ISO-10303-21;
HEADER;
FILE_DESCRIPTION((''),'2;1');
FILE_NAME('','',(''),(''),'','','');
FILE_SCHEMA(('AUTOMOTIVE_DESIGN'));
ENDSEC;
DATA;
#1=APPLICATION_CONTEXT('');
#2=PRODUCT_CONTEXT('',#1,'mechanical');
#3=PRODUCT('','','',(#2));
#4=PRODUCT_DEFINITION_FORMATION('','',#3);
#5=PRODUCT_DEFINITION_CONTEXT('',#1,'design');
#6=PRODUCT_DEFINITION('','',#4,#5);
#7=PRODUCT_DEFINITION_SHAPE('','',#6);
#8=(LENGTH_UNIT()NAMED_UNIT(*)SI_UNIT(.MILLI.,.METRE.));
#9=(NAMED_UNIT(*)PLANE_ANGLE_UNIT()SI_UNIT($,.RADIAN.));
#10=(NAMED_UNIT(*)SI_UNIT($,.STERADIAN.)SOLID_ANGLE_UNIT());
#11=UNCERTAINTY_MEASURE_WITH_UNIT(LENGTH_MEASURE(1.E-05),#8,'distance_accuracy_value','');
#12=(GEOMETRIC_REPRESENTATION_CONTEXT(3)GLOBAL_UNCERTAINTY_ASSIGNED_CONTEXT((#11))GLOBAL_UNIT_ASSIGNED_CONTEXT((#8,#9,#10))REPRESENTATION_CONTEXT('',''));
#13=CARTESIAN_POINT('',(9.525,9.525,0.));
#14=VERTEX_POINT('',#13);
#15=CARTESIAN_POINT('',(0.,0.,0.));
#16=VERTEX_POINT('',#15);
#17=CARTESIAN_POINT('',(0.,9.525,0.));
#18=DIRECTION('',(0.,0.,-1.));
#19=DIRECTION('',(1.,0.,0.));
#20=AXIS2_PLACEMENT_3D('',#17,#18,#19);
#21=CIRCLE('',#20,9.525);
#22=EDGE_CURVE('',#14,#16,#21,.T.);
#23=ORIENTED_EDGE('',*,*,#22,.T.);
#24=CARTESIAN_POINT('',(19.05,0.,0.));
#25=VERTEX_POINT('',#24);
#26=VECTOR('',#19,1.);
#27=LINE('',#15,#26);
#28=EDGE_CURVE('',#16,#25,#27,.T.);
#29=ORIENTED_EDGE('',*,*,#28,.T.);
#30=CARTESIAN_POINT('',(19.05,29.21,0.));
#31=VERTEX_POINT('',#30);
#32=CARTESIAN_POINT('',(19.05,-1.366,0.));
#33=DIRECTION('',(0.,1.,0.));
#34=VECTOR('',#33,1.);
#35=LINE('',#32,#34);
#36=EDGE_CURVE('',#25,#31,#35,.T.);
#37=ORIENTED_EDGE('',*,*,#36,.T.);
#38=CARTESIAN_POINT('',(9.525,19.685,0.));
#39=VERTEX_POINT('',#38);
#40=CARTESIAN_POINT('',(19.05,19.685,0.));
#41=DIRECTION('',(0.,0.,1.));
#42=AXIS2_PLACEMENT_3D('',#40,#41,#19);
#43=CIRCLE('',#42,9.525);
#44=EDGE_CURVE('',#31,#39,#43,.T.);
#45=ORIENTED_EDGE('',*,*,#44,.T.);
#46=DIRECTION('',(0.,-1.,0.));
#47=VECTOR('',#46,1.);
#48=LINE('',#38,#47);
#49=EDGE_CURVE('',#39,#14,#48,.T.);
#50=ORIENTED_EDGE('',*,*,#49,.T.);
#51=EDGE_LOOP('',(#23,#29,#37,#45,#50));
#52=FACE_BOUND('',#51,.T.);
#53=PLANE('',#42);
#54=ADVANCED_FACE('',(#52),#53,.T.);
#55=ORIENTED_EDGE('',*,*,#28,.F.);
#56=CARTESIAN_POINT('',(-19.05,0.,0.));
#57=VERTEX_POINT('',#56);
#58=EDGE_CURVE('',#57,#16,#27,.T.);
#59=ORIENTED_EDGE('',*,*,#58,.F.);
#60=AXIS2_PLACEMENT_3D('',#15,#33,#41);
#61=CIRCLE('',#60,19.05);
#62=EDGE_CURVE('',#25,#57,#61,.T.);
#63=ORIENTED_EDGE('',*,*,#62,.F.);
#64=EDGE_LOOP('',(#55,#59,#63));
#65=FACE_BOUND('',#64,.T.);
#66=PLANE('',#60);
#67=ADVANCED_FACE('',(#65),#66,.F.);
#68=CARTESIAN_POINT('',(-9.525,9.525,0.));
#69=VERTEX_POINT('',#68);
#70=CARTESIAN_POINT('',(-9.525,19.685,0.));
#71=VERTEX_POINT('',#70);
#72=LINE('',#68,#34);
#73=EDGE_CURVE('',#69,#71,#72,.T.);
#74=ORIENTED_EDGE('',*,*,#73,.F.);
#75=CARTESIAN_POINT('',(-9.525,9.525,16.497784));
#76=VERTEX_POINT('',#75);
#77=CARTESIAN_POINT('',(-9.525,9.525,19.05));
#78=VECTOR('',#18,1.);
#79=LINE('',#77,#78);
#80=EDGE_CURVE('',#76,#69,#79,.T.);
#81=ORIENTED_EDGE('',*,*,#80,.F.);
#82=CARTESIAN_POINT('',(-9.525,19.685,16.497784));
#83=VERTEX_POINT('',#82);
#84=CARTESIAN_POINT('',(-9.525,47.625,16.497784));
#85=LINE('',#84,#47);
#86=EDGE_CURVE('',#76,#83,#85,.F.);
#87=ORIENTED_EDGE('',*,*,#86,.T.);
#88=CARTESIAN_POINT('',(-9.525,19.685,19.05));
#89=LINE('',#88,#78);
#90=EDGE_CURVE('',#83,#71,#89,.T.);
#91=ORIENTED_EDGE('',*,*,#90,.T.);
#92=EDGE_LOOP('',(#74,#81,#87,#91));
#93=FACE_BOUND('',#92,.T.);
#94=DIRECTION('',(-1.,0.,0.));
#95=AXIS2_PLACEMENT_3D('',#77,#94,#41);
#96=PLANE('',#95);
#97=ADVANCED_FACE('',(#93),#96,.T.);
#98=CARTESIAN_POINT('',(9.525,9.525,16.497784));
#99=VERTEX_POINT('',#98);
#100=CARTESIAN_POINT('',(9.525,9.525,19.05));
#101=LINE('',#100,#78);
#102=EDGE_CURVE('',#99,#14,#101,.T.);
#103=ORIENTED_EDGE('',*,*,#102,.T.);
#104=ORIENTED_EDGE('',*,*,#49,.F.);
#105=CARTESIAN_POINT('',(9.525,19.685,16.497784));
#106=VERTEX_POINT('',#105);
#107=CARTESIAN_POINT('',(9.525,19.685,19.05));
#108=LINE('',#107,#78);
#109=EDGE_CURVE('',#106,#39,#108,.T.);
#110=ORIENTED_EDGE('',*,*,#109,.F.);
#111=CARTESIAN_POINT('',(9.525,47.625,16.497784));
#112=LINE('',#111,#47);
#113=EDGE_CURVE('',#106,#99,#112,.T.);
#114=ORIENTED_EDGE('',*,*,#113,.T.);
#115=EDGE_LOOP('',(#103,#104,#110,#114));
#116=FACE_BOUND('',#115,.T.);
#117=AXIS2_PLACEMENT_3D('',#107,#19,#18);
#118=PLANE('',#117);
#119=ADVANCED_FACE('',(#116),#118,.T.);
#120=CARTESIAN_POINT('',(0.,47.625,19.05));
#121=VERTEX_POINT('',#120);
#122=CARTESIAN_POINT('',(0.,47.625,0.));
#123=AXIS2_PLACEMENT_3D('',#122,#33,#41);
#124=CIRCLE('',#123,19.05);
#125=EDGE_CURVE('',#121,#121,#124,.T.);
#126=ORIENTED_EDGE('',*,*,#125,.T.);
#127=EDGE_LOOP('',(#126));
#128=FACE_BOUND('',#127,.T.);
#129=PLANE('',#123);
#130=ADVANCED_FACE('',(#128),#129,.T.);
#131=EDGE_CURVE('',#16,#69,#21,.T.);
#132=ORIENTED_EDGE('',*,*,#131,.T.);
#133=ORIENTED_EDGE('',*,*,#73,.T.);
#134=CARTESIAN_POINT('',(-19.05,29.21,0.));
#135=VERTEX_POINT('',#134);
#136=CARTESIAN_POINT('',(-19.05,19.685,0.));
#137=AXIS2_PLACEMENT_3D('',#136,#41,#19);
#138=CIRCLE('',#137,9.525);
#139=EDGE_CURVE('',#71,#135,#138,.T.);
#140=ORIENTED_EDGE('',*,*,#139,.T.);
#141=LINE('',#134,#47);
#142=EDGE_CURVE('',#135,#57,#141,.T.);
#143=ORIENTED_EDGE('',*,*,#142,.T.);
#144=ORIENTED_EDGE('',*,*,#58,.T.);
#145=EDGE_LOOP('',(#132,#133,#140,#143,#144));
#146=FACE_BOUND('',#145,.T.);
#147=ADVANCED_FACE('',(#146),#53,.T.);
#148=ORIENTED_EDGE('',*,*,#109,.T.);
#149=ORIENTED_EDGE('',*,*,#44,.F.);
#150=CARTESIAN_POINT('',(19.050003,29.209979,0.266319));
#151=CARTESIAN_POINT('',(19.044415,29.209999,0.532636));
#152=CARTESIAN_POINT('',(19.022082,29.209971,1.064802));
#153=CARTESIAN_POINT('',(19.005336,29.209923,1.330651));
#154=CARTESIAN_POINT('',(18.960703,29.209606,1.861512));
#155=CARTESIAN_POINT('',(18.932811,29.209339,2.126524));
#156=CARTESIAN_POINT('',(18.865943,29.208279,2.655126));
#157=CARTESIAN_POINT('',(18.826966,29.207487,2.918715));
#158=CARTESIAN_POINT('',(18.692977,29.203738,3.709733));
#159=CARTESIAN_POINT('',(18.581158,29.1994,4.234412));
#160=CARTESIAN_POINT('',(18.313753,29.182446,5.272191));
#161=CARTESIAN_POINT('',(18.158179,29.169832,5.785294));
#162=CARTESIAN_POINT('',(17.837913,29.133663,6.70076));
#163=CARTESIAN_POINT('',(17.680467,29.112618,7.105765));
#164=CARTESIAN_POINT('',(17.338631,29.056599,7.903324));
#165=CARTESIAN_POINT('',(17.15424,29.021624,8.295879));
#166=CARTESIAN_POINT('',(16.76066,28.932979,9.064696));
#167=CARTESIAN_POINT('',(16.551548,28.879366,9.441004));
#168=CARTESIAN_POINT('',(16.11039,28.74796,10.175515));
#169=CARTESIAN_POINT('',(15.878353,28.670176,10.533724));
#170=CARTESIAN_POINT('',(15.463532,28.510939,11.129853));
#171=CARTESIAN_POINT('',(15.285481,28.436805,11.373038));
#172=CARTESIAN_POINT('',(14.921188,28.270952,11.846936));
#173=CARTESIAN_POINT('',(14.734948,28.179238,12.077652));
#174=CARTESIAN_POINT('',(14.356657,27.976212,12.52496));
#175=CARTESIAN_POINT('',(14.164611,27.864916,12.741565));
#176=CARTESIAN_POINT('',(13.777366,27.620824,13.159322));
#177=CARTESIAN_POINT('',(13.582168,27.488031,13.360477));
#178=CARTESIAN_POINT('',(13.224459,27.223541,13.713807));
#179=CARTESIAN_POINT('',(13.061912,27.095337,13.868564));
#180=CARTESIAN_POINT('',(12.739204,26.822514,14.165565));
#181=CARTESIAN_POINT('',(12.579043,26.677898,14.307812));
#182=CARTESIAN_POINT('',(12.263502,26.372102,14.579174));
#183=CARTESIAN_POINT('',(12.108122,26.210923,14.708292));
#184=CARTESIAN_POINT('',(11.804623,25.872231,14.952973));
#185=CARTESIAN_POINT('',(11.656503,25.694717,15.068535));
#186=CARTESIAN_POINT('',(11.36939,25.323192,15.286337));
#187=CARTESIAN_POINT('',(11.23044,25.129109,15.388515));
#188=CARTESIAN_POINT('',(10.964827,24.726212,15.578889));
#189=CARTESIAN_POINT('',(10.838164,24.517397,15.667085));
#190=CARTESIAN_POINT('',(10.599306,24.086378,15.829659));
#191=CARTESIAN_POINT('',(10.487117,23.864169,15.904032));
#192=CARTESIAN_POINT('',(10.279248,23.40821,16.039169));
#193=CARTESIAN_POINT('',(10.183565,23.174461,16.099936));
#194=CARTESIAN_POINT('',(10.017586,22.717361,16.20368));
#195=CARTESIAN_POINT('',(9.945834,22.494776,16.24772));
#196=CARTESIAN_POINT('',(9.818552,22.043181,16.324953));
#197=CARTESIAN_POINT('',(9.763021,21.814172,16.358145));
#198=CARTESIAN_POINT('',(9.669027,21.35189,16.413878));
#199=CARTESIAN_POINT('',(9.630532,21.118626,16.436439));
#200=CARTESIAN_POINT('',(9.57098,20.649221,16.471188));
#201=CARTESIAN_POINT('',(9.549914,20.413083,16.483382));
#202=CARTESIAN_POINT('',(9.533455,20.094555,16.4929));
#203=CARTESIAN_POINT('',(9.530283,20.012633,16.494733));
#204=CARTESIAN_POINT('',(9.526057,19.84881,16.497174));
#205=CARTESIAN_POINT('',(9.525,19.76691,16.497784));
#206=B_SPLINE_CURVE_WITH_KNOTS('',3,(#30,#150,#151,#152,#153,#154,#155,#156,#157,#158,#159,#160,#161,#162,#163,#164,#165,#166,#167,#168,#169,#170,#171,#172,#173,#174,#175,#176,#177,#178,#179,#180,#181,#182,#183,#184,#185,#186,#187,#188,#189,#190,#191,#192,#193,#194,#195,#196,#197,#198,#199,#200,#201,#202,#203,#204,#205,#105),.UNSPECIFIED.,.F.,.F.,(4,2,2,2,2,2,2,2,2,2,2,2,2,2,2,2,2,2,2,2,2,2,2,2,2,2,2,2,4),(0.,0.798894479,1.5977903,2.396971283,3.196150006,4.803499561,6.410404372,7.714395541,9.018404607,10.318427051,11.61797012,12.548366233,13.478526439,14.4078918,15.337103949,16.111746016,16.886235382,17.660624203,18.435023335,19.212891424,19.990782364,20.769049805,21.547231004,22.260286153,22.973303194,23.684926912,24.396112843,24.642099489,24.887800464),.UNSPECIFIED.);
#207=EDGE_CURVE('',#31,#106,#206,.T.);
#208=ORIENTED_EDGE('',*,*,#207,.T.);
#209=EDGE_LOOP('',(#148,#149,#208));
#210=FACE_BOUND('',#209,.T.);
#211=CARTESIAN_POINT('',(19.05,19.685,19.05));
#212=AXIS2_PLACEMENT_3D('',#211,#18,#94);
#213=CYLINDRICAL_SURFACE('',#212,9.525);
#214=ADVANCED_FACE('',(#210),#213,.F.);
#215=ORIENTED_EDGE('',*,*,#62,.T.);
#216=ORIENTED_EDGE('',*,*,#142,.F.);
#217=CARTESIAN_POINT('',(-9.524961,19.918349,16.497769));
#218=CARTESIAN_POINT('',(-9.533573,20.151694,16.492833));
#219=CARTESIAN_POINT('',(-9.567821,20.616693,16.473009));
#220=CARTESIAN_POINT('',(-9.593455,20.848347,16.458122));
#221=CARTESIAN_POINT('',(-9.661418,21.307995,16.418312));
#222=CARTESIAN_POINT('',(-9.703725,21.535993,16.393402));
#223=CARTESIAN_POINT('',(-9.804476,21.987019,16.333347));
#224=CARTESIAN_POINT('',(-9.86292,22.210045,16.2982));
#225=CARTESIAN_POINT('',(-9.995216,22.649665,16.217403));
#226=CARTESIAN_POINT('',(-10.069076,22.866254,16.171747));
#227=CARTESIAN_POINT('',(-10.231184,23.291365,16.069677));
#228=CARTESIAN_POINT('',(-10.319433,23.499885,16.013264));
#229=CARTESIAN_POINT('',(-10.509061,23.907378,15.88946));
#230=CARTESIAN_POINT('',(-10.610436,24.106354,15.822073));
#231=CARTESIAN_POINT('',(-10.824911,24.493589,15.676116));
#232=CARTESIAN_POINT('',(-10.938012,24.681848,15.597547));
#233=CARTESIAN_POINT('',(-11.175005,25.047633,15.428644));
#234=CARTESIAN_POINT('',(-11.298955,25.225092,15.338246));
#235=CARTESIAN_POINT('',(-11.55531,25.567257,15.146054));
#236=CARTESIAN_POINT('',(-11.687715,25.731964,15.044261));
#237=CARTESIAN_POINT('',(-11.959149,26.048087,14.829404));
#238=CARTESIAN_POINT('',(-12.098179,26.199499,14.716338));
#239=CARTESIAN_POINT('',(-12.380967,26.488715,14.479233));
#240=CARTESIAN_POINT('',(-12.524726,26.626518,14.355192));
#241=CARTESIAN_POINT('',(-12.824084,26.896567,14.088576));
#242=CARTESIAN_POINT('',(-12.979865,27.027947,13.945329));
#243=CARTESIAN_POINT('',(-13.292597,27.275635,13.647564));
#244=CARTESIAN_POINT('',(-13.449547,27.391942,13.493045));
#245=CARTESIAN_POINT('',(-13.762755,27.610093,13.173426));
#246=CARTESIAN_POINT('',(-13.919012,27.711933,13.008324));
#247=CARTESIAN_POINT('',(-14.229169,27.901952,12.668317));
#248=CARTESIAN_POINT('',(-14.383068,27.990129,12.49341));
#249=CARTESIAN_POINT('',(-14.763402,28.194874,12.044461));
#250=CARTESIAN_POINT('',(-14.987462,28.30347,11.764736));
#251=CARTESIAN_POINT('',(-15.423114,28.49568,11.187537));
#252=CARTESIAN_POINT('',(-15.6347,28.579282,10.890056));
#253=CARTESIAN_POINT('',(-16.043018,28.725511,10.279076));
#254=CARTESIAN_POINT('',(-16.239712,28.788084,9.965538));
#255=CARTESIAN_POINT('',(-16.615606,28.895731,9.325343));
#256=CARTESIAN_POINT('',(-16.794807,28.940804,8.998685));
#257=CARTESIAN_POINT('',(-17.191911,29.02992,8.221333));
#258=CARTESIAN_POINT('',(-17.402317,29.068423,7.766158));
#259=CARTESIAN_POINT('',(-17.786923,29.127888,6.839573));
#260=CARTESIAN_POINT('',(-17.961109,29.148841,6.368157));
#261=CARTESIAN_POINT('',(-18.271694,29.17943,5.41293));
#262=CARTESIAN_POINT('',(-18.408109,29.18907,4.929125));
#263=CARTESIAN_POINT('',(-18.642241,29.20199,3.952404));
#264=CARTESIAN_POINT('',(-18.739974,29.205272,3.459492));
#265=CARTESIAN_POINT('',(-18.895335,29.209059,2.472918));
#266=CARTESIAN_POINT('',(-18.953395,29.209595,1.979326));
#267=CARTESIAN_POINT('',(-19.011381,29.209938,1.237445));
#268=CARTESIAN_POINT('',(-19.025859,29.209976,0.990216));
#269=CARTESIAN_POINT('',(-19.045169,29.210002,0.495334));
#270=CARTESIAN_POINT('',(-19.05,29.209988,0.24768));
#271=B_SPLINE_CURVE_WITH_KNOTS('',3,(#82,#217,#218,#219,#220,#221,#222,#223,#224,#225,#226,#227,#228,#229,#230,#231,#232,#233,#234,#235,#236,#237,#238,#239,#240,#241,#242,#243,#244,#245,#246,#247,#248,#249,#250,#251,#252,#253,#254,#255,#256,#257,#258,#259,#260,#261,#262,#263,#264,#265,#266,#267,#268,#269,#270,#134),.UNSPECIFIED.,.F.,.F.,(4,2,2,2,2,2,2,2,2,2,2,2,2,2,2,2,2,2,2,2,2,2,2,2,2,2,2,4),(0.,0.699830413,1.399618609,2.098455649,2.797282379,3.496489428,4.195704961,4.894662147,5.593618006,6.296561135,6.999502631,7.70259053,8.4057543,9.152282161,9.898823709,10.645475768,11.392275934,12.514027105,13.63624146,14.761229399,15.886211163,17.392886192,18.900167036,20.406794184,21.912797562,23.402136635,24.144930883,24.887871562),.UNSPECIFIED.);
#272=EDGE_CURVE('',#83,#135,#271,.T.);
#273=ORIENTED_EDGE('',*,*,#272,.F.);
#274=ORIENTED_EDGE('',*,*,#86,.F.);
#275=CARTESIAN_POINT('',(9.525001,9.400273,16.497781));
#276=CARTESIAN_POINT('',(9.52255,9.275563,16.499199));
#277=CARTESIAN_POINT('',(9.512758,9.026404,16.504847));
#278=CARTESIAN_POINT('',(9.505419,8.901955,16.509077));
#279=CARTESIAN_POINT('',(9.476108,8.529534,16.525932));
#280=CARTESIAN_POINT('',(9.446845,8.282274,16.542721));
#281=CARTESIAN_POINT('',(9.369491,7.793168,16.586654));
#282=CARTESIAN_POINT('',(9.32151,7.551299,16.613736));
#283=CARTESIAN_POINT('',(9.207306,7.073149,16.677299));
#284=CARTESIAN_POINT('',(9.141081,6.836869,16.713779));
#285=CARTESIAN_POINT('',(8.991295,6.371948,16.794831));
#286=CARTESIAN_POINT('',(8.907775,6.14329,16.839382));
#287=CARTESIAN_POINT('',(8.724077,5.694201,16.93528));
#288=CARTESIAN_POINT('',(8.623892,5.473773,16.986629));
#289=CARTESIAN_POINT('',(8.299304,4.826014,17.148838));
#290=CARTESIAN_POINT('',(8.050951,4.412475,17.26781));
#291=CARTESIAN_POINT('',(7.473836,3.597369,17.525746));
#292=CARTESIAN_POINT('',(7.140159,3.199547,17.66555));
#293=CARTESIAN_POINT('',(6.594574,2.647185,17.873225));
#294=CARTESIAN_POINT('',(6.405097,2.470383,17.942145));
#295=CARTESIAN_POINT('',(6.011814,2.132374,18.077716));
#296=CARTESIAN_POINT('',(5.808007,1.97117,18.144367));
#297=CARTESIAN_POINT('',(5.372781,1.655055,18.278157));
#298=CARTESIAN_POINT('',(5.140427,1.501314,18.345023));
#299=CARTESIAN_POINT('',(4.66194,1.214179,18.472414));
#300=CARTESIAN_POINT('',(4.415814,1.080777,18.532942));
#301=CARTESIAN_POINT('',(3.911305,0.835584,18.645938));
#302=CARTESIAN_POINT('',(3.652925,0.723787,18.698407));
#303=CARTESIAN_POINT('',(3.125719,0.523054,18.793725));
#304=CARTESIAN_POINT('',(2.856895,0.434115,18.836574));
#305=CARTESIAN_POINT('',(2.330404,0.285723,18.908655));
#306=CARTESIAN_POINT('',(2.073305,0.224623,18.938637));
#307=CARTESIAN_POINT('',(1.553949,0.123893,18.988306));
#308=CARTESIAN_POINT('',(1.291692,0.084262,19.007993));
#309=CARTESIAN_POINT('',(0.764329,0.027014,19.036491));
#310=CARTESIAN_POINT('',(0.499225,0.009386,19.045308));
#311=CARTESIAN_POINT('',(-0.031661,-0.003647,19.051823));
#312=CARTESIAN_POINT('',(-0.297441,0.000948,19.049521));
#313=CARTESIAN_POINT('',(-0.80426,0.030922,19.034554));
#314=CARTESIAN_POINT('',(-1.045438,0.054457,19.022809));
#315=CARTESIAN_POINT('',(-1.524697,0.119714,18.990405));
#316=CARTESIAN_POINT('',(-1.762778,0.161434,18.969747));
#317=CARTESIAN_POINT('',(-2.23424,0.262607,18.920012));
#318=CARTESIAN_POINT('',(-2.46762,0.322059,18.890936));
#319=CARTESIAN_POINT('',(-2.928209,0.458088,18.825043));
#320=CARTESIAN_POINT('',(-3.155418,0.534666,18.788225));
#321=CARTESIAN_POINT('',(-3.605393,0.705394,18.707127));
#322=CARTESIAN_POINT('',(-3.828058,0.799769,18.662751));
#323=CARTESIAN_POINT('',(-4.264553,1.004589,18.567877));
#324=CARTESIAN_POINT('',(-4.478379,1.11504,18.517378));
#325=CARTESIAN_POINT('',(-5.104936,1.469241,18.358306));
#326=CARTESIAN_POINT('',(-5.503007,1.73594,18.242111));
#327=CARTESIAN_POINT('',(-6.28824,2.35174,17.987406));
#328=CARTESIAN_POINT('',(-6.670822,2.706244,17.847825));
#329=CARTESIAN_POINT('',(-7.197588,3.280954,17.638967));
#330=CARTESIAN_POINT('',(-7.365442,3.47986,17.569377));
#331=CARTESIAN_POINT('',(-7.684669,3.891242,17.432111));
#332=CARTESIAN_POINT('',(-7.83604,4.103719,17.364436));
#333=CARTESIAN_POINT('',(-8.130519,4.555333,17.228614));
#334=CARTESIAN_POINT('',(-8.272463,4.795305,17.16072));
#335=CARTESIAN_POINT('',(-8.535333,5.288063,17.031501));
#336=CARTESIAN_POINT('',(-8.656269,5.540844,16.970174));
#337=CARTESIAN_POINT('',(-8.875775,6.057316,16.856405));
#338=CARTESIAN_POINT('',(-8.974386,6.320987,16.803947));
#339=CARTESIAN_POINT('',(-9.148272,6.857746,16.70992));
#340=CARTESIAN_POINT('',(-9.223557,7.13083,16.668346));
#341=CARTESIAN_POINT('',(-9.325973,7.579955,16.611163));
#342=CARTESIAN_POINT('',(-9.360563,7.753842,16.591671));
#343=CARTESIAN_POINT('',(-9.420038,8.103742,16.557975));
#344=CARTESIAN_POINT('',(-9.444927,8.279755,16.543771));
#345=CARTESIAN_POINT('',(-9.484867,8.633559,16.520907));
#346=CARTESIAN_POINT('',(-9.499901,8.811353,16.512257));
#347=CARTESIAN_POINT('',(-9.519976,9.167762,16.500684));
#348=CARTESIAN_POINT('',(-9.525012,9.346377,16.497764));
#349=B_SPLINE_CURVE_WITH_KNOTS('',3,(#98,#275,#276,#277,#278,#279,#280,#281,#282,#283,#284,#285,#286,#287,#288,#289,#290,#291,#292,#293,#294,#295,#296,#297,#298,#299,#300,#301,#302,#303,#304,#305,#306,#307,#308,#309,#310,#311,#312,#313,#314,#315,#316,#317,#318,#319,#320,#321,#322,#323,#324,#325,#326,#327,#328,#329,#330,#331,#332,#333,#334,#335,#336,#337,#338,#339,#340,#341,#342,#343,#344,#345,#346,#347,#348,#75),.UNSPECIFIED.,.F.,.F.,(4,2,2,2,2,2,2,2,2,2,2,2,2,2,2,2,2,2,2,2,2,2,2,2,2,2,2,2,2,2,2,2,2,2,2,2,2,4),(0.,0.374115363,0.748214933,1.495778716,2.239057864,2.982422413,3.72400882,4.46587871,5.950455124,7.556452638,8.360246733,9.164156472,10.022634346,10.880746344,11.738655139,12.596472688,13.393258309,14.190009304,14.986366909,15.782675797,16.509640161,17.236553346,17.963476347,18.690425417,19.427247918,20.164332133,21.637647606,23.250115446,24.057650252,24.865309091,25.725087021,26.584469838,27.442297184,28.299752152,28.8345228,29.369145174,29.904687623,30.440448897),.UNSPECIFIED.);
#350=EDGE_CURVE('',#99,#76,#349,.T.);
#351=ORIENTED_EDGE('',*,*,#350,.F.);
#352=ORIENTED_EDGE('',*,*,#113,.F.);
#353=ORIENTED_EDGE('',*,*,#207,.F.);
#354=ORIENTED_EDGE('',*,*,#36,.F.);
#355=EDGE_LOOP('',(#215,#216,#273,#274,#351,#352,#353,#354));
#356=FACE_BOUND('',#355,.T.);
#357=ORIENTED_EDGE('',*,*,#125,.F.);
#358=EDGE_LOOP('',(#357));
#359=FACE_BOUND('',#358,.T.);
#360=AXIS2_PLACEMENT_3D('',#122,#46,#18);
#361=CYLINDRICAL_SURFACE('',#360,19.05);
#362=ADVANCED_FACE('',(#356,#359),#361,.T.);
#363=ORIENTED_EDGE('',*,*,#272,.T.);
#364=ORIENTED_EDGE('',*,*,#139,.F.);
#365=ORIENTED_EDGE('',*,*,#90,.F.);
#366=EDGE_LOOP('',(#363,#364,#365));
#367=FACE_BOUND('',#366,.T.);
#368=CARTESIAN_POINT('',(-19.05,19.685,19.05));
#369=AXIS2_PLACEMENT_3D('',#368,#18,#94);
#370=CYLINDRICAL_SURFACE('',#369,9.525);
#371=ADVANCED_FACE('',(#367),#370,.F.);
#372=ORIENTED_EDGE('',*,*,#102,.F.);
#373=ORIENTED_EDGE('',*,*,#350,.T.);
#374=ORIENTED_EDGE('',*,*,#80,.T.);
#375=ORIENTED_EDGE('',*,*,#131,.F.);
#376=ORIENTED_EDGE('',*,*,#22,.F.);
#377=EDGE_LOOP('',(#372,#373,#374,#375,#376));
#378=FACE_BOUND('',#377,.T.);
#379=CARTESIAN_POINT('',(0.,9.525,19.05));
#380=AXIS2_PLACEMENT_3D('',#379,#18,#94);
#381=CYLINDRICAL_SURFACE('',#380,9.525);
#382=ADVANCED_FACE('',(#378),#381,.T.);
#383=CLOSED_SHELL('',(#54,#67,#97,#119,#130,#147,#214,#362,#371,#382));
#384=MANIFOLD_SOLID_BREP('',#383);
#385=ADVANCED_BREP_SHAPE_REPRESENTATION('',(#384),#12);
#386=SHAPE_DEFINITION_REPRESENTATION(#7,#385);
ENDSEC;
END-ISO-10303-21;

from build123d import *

# Parameters (mm, degrees)
SKETCH1_R           = 19.05
BOSS_EXTRUDE1_DEPTH = 47.625
CUT_EXTRUDE1_DEPTH  = 55.716959208


with BuildPart() as part:
    # Sketch1 → Boss-Extrude1 (new body)
    with BuildSketch(Plane(origin=(0, 0, 0), x_dir=(1, 0, 0), z_dir=(0, 1, 0))):
        with Locations(Location((0, 0, 0), (0, 0, 270))):
            Circle(SKETCH1_R)
    extrude(amount=BOSS_EXTRUDE1_DEPTH)

    # Sketch2 → Cut-Extrude1 (cut, through all)
    with BuildSketch(Plane.XY):
        with BuildLine():
            Line((-19.05, -1.366), (19.05, -1.366))
            Line((19.05, -1.366), (19.05, 29.21))
            ThreePointArc((19.05, 29.21), (12.314807909, 26.420192091), (9.525, 19.685))
            Line((9.525, 19.685), (9.525, 9.525))
            ThreePointArc((9.525, 9.525), (0, 0), (-9.525, 9.525))
            Line((-9.525, 9.525), (-9.525, 19.685))
            ThreePointArc((-9.525, 19.685), (-12.314807909, 26.420192091), (-19.05, 29.21))
            Line((-19.05, 29.21), (-19.05, -1.366))
        make_face()
    extrude(amount=CUT_EXTRUDE1_DEPTH, mode=Mode.SUBTRACT)


solid = part.part
